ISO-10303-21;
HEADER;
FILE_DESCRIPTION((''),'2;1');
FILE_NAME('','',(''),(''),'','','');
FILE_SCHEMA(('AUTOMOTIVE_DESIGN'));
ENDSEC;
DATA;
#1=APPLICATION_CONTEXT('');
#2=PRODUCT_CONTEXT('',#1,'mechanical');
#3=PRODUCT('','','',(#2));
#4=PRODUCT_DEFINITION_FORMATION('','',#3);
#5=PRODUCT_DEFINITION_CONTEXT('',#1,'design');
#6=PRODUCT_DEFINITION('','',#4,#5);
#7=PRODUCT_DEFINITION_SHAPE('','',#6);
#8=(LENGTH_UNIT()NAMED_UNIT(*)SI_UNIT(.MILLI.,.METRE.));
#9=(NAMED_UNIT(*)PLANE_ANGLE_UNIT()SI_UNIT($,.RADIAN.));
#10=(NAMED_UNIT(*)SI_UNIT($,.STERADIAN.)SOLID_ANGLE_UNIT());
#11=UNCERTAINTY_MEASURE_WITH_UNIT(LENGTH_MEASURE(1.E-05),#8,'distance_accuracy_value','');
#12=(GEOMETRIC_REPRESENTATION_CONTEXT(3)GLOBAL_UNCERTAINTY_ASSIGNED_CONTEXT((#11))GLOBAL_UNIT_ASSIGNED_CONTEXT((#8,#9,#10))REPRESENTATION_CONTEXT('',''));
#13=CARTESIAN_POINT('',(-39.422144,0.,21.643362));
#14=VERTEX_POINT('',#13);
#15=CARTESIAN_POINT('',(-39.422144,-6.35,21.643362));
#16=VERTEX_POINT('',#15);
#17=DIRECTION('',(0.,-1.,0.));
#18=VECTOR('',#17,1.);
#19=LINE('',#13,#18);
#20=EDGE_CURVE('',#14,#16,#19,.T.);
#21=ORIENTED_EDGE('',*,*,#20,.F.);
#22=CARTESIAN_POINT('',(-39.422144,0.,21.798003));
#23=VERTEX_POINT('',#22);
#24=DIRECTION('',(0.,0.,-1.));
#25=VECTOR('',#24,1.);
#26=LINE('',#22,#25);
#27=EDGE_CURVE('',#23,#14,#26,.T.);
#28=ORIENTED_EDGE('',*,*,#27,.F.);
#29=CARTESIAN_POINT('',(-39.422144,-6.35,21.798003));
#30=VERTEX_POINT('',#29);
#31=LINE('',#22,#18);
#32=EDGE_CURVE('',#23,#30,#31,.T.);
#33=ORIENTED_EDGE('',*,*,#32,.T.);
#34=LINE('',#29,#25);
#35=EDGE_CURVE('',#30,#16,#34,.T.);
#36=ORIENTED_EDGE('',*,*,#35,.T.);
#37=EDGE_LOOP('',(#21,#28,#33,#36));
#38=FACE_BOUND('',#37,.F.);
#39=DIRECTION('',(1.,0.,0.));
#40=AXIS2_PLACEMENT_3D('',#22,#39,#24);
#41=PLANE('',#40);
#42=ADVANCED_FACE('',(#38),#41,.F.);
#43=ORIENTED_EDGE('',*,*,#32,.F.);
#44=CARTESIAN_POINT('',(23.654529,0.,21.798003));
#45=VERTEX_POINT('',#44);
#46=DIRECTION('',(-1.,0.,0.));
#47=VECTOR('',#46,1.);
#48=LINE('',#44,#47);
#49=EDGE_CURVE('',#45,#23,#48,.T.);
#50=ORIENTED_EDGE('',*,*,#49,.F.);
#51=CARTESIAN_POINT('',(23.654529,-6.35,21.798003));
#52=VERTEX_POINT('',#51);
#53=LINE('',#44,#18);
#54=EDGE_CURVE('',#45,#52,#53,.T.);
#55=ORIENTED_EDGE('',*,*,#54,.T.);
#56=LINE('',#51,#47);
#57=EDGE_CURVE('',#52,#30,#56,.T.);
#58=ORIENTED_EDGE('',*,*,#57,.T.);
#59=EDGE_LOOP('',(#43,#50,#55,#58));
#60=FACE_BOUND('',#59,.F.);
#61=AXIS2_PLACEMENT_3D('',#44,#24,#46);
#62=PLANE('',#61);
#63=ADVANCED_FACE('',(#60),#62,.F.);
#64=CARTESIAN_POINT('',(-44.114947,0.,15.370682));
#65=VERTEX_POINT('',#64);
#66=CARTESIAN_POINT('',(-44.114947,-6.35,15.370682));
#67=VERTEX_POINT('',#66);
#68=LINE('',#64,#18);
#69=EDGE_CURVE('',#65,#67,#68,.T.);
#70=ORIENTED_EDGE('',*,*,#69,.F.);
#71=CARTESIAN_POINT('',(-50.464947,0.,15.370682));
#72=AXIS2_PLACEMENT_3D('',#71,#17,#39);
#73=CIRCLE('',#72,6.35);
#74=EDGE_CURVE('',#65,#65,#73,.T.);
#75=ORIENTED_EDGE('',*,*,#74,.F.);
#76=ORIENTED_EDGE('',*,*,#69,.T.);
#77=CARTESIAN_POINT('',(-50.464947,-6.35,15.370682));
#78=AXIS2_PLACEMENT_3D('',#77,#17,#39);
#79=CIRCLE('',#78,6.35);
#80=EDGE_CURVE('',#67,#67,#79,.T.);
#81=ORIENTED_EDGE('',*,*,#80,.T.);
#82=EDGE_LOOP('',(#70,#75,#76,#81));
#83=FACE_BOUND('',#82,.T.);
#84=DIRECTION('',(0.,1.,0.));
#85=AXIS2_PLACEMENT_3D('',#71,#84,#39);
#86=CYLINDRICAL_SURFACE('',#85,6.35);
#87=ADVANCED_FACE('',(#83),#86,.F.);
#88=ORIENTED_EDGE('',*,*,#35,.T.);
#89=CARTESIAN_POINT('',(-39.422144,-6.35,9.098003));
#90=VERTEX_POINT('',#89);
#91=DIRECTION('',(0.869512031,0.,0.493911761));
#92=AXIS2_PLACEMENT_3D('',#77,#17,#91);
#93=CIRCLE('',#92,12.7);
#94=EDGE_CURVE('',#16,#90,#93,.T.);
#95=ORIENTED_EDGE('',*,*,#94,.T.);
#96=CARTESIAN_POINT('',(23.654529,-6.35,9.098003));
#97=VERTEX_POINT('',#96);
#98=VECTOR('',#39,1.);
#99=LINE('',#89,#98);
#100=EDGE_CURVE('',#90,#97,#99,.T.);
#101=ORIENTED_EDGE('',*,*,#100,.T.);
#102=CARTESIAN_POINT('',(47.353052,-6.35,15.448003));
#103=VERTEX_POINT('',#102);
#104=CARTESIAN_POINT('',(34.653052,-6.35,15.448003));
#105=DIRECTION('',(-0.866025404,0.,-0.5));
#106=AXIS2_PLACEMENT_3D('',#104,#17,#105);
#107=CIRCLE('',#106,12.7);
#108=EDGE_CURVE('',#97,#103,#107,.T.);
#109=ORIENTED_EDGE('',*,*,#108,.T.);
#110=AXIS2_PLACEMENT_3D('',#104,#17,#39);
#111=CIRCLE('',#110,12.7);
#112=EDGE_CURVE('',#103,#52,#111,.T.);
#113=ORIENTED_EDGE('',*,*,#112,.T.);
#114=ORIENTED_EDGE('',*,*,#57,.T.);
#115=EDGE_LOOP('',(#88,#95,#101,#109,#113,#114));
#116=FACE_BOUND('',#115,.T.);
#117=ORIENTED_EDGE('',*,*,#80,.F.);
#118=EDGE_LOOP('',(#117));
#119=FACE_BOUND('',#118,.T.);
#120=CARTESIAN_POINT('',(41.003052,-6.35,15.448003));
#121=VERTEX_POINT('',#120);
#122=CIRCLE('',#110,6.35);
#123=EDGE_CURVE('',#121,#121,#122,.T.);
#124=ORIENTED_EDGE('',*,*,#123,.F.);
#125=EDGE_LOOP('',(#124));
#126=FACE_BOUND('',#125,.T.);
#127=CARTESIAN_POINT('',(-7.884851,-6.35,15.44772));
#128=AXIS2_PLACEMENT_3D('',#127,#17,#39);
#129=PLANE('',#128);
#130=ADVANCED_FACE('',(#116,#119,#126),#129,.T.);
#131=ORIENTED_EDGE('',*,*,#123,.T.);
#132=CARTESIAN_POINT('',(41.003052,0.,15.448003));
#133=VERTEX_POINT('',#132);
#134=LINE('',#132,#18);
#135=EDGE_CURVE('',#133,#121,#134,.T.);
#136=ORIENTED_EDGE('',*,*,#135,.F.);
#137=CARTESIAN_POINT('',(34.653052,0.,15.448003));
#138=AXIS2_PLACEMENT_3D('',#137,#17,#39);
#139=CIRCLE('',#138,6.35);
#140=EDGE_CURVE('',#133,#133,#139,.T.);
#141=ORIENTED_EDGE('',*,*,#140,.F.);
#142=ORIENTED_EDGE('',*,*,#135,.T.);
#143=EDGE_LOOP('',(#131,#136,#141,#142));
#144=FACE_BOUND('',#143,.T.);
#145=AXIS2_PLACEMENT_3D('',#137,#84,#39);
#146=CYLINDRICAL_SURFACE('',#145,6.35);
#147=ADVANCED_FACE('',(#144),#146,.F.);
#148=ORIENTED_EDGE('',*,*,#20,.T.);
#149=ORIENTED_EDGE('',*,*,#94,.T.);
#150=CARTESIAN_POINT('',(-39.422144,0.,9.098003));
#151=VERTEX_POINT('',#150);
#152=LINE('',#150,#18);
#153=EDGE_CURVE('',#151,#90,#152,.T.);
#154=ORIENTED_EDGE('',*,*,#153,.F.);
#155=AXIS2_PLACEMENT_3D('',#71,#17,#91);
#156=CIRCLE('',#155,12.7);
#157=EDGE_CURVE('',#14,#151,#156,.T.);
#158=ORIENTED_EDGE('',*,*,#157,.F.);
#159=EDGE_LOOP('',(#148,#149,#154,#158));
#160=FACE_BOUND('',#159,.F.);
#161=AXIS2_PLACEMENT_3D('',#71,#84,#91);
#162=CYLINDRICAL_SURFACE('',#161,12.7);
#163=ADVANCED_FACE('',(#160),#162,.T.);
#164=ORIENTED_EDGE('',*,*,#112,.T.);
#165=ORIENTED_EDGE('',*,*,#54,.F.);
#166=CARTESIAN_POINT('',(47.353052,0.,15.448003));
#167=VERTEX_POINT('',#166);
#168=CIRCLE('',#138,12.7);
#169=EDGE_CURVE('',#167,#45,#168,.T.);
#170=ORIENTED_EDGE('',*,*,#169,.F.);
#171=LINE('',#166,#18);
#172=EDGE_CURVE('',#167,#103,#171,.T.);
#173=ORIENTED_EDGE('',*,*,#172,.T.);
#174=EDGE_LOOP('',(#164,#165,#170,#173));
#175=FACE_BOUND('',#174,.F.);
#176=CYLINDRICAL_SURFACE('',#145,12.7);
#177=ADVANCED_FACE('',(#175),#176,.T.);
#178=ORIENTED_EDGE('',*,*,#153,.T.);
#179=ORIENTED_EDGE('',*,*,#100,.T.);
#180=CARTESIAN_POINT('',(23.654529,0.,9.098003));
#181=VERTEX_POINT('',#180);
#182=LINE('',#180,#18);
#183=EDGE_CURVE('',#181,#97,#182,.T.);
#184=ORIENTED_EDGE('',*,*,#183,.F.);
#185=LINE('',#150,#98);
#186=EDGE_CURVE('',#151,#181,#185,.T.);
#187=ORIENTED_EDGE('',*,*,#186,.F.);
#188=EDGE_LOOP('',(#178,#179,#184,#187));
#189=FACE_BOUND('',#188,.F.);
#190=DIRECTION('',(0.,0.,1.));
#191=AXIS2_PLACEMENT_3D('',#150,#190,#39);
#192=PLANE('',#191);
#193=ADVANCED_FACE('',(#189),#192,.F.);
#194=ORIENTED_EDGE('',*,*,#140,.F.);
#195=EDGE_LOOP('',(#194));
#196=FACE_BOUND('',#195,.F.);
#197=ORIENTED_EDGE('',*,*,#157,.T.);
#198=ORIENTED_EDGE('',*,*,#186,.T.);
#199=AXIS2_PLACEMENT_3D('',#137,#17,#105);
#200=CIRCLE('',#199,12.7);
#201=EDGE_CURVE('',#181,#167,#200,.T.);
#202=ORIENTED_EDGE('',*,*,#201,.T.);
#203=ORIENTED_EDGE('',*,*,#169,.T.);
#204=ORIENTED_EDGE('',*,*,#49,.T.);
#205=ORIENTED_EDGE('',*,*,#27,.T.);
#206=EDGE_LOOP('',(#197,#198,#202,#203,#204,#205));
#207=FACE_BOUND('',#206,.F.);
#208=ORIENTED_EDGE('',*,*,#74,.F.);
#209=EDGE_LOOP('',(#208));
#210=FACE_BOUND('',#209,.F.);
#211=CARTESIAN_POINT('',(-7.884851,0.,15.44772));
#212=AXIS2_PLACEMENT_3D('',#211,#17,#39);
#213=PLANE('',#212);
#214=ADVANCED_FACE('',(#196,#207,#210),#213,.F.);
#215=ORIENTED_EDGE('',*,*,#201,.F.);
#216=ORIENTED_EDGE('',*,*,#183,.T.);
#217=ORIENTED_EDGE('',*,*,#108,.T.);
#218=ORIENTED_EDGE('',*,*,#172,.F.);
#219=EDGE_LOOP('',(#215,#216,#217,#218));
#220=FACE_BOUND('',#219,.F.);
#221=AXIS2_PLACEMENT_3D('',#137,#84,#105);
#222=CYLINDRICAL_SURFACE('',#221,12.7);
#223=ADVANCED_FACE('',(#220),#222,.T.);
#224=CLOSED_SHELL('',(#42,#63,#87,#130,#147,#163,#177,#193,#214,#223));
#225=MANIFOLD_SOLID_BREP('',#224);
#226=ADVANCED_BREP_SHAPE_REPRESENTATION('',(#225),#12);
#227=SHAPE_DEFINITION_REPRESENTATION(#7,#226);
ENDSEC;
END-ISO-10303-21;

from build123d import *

# Parameters (mm, degrees)
F0_R     = 6.35
F1_DEPTH = 6.35


with BuildPart() as f1:
    # F0 (on Front) → F1 (new body)
    with BuildSketch(Plane.XZ):
        with BuildLine():
            Line((23.6545289272, 21.798003076), (-39.4221442157, 21.798003076))
            Line((-39.4221442157, 21.798003076), (-39.4221442157, 21.6433618178))
            ThreePointArc((-39.4221442157, 21.6433618178), (-38.1862338127, 18.6146310083), (-37.764947008, 15.3706824469))
            ThreePointArc((-37.764947008, 15.3706824469), (-38.1862338127, 12.1267338856), (-39.4221442157, 9.098003076))
            Line((-39.4221442157, 9.098003076), (23.6545289272, 9.098003076))
            ThreePointArc((23.6545289272, 9.098003076), (21.9530515552, 15.448003076), (23.6545289272, 21.798003076))
        make_face()
        with BuildLine():
            Line((-39.4221442157, 9.098003076), (-39.4221442157, 21.6433618178))
            ThreePointArc((-39.4221442157, 21.6433618178), (-63.164947008, 15.3706824469), (-39.4221442157, 9.098003076))
        make_face()
        with Locations((-50.464947008, 15.3706824469)):
            Circle(F0_R, mode=Mode.SUBTRACT)
        with BuildLine():
            ThreePointArc((-37.764947008, 15.3706824469), (-38.1862338127, 18.6146310083), (-39.4221442157, 21.6433618178))
            Line((-39.4221442157, 21.6433618178), (-39.4221442157, 9.098003076))
            ThreePointArc((-39.4221442157, 9.098003076), (-38.1862338127, 12.1267338856), (-37.764947008, 15.3706824469))
        make_face()
        with BuildLine():
            ThreePointArc((47.3530515552, 15.448003076), (37.940053428, 27.7152610699), (23.6545289272, 21.798003076))
            ThreePointArc((23.6545289272, 21.798003076), (21.9530515552, 15.448003076), (23.6545289272, 9.098003076))
            ThreePointArc((23.6545289272, 9.098003076), (37.940053428, 3.1807450821), (47.3530515552, 15.448003076))
        make_face()
        with Locations((34.6530515552, 15.448003076)):
            Circle(F0_R, mode=Mode.SUBTRACT)
    extrude(amount=F1_DEPTH)


solid = f1.part
